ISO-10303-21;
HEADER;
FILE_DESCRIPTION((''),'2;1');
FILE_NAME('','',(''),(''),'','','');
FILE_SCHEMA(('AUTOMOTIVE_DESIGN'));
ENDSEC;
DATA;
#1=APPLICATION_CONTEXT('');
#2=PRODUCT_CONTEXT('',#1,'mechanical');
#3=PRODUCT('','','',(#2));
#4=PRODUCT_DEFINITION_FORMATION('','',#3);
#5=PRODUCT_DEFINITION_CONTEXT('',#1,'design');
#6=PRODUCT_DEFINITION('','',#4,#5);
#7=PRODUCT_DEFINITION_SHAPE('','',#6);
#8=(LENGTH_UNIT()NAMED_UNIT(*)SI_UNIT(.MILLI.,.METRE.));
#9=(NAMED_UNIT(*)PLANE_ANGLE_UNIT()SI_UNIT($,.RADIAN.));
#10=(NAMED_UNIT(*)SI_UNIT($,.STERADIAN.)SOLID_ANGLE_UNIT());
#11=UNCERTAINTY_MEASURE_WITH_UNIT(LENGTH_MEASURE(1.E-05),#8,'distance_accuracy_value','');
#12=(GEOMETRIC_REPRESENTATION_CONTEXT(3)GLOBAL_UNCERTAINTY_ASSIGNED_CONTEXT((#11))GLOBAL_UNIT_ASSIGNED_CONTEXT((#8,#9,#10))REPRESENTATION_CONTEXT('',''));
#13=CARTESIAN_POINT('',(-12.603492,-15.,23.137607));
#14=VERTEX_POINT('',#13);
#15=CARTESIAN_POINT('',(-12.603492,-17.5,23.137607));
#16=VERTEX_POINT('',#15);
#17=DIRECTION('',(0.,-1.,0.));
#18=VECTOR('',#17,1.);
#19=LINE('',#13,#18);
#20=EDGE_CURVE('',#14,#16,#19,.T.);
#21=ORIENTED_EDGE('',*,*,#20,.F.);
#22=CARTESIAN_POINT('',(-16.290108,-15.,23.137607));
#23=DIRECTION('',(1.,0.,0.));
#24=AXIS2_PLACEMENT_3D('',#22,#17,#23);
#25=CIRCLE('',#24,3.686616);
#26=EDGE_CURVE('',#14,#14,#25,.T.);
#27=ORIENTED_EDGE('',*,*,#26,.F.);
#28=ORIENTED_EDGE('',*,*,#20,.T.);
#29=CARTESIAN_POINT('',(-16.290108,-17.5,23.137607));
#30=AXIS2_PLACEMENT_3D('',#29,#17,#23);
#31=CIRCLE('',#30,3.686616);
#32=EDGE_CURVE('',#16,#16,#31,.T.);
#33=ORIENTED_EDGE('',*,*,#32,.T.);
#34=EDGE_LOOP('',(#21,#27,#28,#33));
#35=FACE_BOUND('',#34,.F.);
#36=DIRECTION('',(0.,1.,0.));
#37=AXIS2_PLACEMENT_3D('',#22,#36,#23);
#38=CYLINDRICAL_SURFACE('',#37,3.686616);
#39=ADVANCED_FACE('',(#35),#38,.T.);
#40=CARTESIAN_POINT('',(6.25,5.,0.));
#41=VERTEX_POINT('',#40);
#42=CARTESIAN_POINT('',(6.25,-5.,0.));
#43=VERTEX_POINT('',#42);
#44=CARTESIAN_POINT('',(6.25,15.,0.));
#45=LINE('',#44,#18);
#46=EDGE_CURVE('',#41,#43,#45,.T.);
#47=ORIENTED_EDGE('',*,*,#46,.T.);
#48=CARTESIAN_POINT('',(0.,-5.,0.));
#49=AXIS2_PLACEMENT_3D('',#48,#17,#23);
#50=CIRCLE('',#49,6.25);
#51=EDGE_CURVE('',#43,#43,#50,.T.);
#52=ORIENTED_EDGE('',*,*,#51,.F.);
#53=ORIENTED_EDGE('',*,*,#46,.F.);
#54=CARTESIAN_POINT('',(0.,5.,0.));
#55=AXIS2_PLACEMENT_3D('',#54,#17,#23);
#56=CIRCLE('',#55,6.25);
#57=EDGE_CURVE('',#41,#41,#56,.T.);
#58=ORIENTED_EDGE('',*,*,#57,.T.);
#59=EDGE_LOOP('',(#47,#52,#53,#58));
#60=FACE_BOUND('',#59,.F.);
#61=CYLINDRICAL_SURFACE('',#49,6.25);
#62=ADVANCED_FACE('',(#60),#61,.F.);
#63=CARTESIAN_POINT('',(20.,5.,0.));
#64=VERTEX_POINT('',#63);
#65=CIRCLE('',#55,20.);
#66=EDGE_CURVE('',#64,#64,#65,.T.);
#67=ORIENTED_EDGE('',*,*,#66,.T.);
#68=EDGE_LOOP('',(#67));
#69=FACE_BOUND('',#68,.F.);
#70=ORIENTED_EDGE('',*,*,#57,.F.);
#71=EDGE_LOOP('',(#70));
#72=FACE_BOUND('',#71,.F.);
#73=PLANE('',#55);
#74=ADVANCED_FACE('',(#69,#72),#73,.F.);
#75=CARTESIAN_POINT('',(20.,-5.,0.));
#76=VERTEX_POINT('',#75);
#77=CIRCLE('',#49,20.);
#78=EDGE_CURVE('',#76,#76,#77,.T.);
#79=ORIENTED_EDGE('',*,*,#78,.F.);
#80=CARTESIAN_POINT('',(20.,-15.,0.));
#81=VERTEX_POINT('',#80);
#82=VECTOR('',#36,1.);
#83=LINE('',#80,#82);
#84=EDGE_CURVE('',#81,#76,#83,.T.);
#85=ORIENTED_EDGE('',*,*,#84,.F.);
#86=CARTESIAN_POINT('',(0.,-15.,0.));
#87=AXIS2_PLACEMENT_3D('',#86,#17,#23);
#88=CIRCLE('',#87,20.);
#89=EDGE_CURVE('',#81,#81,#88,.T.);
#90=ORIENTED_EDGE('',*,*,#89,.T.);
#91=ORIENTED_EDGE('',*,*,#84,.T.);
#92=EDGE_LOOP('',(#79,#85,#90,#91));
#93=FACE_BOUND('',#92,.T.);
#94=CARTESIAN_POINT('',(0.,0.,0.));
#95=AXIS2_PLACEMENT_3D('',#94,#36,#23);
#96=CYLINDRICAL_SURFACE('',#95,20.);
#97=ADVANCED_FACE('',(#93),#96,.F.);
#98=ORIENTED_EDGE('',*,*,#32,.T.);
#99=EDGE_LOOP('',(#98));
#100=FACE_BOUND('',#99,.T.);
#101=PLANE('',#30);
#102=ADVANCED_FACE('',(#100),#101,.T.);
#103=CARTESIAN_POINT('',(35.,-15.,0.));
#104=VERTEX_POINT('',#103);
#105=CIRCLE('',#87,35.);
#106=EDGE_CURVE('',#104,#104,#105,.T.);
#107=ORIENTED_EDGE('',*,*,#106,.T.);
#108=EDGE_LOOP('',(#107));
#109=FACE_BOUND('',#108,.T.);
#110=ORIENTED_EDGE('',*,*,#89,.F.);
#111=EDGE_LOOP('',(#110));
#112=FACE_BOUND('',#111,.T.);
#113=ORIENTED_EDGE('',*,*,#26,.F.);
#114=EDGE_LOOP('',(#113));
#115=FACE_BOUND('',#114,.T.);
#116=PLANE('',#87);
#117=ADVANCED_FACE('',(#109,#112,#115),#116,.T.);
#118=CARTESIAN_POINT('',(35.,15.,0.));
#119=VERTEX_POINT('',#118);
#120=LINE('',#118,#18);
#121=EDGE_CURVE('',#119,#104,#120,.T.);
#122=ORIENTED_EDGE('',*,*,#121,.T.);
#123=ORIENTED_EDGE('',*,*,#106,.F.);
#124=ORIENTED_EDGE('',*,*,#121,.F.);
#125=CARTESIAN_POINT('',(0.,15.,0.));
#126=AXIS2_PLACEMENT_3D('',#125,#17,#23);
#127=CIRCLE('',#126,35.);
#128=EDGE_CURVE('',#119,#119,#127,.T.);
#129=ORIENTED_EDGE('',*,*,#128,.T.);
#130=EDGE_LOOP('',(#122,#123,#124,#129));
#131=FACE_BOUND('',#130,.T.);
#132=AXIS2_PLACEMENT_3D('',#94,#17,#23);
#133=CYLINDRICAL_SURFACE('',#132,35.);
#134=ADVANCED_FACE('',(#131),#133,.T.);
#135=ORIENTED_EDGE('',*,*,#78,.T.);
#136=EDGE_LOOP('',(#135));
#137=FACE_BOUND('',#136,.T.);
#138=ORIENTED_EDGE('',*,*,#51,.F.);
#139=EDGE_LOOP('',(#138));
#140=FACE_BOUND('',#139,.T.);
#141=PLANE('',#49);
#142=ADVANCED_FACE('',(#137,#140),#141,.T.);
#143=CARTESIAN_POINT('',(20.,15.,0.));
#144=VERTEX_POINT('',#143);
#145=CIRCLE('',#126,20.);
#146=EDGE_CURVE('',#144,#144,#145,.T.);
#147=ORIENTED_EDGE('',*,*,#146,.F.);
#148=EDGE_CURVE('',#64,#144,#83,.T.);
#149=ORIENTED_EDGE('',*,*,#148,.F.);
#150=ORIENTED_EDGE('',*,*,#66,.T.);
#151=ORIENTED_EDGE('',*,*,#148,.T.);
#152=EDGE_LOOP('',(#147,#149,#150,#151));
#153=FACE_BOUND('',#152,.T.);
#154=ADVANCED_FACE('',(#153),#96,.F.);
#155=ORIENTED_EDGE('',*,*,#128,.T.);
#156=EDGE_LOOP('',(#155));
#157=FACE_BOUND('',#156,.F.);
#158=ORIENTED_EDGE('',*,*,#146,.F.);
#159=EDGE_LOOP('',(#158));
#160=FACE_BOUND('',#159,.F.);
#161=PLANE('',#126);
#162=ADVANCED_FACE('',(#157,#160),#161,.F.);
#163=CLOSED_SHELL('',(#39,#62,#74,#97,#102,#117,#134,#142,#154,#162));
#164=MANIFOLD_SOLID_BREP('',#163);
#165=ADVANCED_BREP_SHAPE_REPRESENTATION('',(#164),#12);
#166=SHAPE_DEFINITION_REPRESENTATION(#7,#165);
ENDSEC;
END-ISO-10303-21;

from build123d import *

# Parameters (mm, degrees)
F0_R     = 35
F0_R_2   = 20
F1_DEPTH = 15
F2_DEPTH = 5
F3_R     = 6.25
F4_DEPTH = 20
F5_R     = 3.686616
F6_DEPTH = 2.5


with BuildPart() as f1:
    # F0 (on Front) → F1 (new body, symmetric)
    with BuildSketch(Plane.XZ):
        Circle(F0_R)
        Circle(F0_R_2, mode=Mode.SUBTRACT)
    extrude(amount=F1_DEPTH, both=True)

    # F0 (on Front) → F2 (join, symmetric)
    with BuildSketch(Plane.XZ):
        Circle(F0_R_2)
    extrude(amount=F2_DEPTH, both=True)

    # F3 (on face) → F4 (cut, symmetric)
    with BuildSketch(Plane.XZ.offset(5)):
        Circle(F3_R)
    extrude(amount=F4_DEPTH, both=True, mode=Mode.SUBTRACT)

    # F5 (on face) → F6 (join)
    with BuildSketch(Plane.XZ.offset(15)):
        with Locations((-16.290108, 23.137607)):
            Circle(F5_R)
    extrude(amount=F6_DEPTH)


solid = f1.part
